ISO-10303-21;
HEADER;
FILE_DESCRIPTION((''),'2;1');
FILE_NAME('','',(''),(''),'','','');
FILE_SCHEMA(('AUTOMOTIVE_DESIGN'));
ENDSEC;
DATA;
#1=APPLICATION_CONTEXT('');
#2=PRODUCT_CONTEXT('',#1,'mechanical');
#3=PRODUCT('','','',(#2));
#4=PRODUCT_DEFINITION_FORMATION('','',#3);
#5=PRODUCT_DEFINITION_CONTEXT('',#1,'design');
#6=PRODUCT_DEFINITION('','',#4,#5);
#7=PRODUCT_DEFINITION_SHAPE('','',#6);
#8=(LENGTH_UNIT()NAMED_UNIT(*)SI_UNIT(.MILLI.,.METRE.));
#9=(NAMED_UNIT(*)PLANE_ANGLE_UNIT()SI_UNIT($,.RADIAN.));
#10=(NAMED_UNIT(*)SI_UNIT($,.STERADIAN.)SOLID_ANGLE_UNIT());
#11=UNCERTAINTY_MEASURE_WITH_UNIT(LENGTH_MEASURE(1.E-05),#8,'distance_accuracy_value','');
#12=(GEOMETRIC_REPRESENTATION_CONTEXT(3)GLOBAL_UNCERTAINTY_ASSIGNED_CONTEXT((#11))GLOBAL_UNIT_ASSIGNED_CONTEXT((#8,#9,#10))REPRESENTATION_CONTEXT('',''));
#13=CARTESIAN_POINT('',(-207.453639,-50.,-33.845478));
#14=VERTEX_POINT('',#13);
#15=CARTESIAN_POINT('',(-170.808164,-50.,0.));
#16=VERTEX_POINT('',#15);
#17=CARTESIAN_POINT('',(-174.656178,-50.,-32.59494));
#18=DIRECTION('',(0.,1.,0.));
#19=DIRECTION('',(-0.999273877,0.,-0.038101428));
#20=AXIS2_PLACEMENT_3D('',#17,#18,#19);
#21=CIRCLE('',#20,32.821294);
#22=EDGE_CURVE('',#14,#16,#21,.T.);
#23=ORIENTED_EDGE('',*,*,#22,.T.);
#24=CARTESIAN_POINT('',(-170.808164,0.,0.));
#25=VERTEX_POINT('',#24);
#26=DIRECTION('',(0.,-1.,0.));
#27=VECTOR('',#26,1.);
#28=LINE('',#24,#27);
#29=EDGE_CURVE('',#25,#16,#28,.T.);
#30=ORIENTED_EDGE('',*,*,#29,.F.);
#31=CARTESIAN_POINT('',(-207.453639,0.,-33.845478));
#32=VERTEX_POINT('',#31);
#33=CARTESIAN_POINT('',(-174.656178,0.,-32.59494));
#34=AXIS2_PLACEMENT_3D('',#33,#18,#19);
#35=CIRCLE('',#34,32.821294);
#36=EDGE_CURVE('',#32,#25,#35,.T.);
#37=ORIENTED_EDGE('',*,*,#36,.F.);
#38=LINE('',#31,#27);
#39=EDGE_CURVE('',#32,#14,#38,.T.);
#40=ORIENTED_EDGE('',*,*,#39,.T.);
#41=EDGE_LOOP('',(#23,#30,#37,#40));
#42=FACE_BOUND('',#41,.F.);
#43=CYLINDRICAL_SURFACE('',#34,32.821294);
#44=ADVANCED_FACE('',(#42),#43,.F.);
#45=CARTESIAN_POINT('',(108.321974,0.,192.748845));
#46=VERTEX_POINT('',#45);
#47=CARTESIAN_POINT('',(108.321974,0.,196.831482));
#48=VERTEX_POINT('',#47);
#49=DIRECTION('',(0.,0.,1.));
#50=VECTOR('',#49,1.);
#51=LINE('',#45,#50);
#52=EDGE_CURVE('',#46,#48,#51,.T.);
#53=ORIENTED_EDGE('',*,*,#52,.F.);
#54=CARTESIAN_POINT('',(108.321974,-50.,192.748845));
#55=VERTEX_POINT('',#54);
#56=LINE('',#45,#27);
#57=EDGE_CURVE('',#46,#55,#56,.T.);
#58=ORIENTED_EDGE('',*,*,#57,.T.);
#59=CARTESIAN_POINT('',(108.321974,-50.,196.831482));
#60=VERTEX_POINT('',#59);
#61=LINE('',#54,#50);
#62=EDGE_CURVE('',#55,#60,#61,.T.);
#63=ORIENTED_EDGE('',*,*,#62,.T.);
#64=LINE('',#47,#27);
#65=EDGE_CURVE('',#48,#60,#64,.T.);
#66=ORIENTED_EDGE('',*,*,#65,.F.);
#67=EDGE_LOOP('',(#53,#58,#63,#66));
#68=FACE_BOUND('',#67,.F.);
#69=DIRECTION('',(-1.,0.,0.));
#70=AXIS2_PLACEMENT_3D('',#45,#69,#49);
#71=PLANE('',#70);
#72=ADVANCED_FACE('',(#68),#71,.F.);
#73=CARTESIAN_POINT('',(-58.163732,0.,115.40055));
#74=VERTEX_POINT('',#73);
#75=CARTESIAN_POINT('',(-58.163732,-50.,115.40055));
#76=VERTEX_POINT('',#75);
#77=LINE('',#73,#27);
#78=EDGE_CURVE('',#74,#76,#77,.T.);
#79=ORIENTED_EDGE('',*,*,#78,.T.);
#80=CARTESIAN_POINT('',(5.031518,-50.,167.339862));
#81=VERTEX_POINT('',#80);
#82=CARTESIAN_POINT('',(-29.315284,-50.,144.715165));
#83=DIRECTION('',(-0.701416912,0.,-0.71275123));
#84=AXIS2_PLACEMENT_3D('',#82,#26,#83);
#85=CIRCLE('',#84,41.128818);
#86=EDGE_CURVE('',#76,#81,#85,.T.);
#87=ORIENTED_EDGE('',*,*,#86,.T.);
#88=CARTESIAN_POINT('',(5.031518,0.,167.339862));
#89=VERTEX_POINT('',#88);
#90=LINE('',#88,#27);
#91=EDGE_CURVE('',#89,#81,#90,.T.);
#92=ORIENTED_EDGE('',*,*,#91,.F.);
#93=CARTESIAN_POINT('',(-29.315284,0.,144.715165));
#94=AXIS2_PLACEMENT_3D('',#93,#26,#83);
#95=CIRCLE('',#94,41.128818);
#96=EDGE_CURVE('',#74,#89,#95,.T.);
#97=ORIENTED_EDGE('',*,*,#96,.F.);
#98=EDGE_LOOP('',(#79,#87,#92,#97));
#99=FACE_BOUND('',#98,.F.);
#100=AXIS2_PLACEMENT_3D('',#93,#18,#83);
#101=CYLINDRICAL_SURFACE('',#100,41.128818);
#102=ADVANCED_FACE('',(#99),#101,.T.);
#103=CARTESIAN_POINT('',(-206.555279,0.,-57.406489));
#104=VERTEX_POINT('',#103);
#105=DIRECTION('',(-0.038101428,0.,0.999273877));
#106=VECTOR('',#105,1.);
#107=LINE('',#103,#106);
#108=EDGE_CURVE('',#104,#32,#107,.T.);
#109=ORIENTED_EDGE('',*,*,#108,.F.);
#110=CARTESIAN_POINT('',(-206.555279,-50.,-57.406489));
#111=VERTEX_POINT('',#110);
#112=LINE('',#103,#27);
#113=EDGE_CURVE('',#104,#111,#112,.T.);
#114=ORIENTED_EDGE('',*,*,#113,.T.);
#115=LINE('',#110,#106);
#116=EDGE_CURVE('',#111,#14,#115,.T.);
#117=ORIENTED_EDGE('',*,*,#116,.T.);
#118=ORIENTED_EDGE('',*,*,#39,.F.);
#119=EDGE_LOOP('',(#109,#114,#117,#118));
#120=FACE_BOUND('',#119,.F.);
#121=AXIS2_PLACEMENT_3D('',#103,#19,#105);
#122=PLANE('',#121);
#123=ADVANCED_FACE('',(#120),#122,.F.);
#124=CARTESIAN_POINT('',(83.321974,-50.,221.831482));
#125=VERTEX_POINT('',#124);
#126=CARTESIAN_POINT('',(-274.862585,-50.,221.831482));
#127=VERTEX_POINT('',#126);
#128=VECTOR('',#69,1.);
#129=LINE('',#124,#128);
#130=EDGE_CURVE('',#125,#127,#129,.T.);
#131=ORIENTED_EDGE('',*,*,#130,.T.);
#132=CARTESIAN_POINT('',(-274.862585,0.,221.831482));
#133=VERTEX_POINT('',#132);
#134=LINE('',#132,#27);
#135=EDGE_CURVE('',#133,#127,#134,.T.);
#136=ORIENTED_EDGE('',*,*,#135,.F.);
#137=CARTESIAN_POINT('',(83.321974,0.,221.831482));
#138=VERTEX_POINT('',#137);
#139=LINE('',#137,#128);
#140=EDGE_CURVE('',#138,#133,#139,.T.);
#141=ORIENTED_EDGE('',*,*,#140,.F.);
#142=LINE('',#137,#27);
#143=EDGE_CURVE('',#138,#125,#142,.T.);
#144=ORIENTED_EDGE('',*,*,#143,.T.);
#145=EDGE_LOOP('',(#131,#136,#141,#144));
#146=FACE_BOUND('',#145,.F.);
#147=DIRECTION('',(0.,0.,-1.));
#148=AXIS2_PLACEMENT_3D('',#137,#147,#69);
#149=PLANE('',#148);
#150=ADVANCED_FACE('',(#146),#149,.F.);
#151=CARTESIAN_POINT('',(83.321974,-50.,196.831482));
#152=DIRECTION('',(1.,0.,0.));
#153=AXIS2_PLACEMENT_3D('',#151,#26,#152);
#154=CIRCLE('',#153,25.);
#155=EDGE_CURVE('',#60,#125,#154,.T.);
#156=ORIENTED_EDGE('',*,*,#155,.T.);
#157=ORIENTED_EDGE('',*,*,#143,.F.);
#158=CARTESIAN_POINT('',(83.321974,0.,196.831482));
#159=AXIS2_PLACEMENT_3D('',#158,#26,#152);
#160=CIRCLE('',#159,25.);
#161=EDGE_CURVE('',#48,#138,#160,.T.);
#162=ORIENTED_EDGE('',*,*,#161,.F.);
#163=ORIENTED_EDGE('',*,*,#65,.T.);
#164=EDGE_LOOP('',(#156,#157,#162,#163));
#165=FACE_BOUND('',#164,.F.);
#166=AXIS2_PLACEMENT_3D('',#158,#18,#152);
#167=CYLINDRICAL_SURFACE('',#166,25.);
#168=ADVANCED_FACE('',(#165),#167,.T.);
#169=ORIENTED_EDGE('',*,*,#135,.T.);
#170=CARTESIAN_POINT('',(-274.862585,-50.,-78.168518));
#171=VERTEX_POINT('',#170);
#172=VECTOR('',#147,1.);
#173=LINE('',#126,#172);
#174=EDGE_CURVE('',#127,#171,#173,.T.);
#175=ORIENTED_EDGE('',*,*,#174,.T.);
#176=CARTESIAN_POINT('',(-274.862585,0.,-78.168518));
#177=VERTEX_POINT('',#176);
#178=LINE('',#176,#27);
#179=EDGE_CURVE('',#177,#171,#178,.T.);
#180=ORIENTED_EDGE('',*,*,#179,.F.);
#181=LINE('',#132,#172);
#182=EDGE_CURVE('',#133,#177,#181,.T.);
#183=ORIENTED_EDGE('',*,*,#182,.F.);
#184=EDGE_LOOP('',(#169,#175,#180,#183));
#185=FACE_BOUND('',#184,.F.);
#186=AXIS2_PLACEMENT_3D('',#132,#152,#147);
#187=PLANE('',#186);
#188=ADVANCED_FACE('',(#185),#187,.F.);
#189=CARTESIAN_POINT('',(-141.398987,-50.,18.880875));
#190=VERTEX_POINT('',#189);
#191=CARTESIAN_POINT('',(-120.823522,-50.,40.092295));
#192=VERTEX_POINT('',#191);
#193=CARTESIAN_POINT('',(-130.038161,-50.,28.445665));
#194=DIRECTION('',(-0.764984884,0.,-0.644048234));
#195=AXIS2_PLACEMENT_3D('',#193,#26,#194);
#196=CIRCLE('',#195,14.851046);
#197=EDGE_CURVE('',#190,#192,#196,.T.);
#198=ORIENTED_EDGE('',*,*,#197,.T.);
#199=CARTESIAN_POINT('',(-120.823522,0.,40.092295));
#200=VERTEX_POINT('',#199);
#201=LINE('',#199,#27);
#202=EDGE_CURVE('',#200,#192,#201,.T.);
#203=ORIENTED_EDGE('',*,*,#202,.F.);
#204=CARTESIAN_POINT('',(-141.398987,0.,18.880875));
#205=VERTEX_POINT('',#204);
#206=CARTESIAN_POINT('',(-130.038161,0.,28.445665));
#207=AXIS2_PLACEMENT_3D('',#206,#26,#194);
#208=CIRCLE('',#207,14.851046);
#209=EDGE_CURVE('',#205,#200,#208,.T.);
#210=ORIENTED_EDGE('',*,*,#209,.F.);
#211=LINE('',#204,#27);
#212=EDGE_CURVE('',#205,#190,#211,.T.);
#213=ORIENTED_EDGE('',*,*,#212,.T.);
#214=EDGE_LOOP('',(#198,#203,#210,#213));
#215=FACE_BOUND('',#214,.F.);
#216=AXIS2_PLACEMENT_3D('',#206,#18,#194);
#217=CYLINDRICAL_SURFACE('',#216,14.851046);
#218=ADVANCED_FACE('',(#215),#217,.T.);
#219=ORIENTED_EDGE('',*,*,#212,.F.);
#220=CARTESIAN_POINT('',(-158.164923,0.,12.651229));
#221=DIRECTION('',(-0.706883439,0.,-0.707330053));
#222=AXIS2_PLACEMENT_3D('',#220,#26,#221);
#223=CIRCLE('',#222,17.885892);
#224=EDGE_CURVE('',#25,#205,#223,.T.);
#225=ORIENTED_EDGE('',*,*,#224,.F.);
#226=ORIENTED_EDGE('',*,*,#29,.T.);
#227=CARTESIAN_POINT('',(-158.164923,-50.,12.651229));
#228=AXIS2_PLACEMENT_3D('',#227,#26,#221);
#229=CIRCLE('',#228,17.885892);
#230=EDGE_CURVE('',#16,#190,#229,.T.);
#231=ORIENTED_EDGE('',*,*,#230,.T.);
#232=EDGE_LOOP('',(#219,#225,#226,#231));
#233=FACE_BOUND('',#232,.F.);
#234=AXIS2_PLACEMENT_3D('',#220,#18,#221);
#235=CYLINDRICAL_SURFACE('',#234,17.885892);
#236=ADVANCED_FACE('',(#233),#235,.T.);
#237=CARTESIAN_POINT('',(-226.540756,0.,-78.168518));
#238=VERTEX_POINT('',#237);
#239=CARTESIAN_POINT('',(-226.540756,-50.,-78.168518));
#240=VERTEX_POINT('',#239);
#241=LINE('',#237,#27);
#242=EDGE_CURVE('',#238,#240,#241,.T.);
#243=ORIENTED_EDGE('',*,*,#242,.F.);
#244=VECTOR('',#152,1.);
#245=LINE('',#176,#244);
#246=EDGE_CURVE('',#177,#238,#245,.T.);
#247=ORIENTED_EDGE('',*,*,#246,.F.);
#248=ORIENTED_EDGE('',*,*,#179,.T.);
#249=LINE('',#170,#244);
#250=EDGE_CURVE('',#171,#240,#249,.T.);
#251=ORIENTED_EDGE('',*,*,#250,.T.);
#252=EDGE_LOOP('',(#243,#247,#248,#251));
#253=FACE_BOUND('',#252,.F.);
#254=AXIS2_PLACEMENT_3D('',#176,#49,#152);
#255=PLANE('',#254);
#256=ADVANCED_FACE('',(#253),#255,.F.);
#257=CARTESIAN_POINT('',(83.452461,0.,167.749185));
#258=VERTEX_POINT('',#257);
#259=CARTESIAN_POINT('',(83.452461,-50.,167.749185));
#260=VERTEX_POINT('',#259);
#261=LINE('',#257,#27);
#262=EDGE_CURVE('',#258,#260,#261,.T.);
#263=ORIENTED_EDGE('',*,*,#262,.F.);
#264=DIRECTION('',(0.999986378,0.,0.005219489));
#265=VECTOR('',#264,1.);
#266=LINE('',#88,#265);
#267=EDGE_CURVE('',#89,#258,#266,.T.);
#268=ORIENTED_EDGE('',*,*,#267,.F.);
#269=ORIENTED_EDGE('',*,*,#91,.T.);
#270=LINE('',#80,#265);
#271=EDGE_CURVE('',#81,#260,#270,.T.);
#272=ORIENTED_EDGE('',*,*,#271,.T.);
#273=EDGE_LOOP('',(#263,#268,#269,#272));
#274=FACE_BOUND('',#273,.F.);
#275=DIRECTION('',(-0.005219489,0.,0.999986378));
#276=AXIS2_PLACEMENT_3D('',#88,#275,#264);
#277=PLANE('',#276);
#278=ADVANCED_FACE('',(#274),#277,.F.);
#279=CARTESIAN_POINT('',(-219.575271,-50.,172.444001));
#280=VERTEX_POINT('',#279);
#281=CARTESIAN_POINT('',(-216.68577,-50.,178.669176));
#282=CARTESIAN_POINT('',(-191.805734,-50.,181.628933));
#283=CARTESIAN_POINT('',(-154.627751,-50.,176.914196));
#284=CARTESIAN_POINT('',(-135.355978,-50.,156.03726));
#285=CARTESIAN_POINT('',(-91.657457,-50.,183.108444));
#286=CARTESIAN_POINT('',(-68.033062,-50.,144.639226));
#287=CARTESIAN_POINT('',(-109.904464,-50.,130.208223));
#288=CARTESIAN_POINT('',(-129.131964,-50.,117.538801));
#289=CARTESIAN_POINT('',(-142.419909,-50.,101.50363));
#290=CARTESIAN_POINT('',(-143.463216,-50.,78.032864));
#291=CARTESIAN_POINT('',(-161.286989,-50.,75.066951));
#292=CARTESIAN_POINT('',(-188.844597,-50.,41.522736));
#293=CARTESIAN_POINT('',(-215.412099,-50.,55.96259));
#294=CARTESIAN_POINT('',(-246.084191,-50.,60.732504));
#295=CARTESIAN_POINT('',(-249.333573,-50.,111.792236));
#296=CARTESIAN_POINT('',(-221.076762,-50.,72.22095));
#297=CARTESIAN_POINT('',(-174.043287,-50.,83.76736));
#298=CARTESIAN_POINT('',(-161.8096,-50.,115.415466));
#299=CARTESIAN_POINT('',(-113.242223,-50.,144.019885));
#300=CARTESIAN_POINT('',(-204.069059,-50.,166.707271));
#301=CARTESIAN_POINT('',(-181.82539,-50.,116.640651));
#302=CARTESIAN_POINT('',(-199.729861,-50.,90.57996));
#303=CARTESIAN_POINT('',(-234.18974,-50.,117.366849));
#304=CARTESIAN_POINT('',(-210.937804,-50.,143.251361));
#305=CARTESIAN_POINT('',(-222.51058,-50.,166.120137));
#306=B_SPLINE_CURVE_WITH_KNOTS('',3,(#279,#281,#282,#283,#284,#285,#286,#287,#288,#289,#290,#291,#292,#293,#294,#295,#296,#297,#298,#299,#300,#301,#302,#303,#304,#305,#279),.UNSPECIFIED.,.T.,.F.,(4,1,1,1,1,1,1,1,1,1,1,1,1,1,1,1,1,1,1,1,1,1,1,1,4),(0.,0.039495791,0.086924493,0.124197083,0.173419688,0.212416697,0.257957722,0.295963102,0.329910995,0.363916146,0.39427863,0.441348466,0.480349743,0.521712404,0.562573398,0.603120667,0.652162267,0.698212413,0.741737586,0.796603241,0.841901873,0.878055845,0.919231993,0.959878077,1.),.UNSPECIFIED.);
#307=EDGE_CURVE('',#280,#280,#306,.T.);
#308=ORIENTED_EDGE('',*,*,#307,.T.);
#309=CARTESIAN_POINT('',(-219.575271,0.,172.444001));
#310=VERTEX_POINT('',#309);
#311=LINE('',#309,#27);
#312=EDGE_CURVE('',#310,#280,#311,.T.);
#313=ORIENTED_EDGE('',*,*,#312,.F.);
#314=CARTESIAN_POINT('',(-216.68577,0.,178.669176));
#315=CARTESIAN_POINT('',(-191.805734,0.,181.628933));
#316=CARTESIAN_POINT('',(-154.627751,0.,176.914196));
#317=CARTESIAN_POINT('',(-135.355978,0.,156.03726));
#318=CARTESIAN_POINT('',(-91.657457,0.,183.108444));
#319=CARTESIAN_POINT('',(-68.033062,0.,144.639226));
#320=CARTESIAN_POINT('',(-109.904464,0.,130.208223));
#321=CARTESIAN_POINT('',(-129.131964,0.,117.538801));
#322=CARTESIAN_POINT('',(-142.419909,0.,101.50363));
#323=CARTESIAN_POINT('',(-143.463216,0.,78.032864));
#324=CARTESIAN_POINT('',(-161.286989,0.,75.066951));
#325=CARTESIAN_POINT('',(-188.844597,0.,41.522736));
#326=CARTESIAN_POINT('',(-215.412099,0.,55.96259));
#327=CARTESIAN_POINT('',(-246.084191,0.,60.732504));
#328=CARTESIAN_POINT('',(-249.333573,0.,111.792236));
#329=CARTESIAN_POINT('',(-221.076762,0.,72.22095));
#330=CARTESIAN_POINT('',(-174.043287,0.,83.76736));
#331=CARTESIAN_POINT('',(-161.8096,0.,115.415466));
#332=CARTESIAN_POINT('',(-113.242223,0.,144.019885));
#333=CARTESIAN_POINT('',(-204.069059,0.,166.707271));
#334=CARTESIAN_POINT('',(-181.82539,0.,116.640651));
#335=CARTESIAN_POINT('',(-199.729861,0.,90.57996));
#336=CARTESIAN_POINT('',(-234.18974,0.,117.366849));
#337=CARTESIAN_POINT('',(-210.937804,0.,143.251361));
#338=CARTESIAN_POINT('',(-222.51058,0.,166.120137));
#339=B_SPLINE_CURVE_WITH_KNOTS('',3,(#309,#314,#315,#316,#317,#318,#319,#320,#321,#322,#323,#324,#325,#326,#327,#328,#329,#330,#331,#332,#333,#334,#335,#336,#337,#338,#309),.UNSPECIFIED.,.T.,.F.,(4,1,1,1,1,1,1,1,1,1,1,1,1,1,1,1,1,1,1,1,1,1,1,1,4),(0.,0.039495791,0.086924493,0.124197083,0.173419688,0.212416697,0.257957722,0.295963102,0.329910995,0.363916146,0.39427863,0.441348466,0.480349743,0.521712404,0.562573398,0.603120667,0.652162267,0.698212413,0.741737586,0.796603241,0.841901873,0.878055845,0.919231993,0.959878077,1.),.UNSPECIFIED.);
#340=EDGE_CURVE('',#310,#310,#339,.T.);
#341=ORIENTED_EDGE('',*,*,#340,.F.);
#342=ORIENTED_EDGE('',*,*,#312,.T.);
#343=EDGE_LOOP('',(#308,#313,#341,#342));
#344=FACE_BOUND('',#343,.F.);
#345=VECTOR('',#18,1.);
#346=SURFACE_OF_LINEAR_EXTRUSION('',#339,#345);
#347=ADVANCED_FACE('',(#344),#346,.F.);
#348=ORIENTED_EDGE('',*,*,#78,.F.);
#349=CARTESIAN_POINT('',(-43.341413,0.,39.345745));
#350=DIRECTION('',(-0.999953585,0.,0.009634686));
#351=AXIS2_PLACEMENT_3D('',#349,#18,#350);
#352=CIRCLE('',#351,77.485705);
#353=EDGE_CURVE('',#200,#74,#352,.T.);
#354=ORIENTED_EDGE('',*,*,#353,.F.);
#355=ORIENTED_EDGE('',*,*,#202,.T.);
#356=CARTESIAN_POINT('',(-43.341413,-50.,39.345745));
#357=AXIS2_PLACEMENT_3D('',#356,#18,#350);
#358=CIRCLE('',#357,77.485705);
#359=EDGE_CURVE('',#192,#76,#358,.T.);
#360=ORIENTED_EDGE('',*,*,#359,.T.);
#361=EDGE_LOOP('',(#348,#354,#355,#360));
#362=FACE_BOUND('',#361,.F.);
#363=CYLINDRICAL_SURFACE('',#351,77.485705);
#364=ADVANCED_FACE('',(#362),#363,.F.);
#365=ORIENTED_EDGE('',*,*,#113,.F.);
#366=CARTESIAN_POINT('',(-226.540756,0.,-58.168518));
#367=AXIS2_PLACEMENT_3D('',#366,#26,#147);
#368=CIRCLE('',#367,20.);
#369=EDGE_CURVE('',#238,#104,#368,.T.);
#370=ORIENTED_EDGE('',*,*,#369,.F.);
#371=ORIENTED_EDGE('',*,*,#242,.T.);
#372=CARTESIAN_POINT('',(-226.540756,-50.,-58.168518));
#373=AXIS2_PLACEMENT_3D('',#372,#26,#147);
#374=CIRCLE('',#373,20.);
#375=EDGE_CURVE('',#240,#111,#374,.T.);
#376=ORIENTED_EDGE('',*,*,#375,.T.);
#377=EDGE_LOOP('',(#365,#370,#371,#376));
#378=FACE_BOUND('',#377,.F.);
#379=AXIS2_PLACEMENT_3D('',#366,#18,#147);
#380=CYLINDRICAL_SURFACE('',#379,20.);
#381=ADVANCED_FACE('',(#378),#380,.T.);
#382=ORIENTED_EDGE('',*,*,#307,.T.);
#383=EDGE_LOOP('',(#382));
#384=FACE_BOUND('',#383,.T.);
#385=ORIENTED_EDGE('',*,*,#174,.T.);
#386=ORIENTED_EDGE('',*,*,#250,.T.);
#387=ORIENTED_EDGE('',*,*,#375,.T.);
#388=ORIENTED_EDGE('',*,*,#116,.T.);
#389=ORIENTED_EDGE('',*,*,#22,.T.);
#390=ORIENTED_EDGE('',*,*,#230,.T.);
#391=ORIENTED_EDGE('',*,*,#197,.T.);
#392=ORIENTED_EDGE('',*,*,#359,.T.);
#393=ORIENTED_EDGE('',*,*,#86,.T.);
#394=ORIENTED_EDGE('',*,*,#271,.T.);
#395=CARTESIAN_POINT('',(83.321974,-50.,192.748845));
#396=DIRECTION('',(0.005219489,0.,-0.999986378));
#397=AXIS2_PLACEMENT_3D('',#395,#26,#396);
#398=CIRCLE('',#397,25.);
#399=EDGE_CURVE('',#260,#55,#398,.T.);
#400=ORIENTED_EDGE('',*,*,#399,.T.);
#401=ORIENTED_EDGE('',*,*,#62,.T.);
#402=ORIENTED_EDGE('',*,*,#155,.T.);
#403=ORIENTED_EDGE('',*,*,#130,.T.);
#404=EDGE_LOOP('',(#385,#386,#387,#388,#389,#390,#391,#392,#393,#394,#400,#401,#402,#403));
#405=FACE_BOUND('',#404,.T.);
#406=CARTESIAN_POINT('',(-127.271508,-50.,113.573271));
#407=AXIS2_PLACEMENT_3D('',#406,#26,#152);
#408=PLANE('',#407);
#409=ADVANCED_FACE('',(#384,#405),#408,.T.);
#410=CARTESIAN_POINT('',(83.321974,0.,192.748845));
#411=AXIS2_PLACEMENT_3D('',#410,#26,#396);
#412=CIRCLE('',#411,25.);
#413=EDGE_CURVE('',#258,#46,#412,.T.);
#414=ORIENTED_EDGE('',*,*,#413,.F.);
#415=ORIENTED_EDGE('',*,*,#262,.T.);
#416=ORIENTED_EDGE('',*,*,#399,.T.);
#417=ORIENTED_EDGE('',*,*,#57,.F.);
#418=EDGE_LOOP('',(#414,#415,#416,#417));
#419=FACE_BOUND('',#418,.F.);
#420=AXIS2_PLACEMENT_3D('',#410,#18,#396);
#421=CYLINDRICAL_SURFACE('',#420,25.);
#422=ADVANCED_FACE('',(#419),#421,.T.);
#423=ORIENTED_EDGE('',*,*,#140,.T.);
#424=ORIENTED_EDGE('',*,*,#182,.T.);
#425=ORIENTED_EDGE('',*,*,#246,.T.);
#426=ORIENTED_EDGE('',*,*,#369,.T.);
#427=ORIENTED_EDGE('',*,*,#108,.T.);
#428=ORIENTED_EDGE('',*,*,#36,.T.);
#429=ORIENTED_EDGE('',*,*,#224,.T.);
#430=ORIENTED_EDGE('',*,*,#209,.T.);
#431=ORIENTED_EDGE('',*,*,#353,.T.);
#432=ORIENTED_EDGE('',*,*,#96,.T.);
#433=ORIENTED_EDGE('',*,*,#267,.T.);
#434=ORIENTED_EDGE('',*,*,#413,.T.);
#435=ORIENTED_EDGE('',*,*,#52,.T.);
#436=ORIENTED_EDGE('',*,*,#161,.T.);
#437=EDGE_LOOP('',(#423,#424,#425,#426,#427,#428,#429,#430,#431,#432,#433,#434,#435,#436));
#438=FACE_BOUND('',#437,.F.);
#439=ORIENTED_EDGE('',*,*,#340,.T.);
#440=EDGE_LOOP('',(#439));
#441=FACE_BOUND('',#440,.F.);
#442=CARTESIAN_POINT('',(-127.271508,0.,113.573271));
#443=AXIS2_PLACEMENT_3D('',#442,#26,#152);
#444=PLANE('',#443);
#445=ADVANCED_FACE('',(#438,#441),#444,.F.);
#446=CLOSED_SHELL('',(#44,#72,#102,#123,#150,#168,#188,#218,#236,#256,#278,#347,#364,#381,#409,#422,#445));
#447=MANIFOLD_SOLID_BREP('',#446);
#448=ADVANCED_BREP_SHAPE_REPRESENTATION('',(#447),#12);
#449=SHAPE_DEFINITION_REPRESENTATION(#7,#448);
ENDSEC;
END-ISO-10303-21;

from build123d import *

# Parameters (mm, degrees)
F1_DEPTH = 50


with BuildPart() as f1:
    # F0 (on Front) → F1 (new body)
    with BuildSketch(Plane.XZ):
        with BuildLine():
            Line((83.3219736814, 221.8314821937), (-274.8625851565, 221.8314821937))
            Line((-274.8625851565, 221.8314821937), (-274.8625851565, -78.1685178063))
            Line((-274.8625851565, -78.1685178063), (-226.5407562396, -78.1685178063))
            ThreePointArc((-226.5407562396, -78.1685178063), (-212.1317213797, -72.0386192625), (-206.5552787003, -57.4064892468))
            Line((-206.5552787003, -57.4064892468), (-207.4536391848, -33.8454782287))
            ThreePointArc((-207.4536391848, -33.8454782287), (-196.9249165287, -8.4839343376), (-170.8081639077, 0))
            ThreePointArc((-170.8081639077, 0), (-148.5020554157, -2.3998212364), (-141.3989868763, 18.8808750714))
            ThreePointArc((-141.3989868763, 18.8808750714), (-119.3783008793, 18.1054061462), (-120.8235216731, 40.0922954371))
            ThreePointArc((-120.8235216731, 40.0922954371), (-102.9053295383, 88.905550723), (-58.1637322903, 115.400549811))
            ThreePointArc((-58.1637322903, 115.400549811), (-3.2005174523, 112.9409832271), (5.0315177017, 167.3398623546))
            Line((5.0315177017, 167.3398623546), (83.4524609012, 167.7491851642))
            ThreePointArc((83.4524609012, 167.7491851642), (101.0457173674, 175.1173696497), (108.3219736814, 192.7488446236))
            Line((108.3219736814, 192.7488446236), (108.3219736814, 196.8314821937))
            ThreePointArc((108.3219736814, 196.8314821937), (100.9996432111, 214.5091517234), (83.3219736814, 221.8314821937))
        make_face()
        with BuildLine():
            ThreePointArc((-144.118633545, 23.724026989), (-142.5696563693, 21.4086693821), (-141.3989868763, 18.8808750714))
            ThreePointArc((-141.3989868763, 18.8808750714), (-142.9872515651, 21.1741709806), (-144.118633545, 23.724026989))
        make_face(mode=Mode.SUBTRACT)
        with BuildLine():
            add(Edge.make_bspline(
                [(-219.5752710104, 172.4440008402), (-216.685769818, 178.6691763064), (-191.8057339626, 181.6289333018), (-154.6277511221, 176.9141959142), (-135.3559777396, 156.0372595726), (-91.6574574312, 183.108444247), (-68.0330615865, 144.6392255693), (-109.9044638938, 130.208223219), (-129.1319641137, 117.5388009918), (-142.4199094382, 101.503630357), (-143.4632155233, 78.0328638905), (-161.2869894881, 75.0669509139), (-188.8445970033, 41.52273626), (-215.412099225, 55.9625904017), (-246.084190544, 60.7325037319), (-249.333572694, 111.7922364023), (-221.0767619727, 72.2209502836), (-174.043286682, 83.7673596839), (-161.8096001165, 115.415466186), (-113.2422230465, 144.0198853258), (-204.0690594357, 166.7072709808), (-181.8253900065, 116.6406512362), (-199.7298610349, 90.5799599722), (-234.1897400969, 117.3668485961), (-210.9378042781, 143.2513607599), (-222.5105798634, 166.1201368095), (-219.5752710104, 172.4440008402)],
                knots=[0, 0, 0, 0, 0.0394957909, 0.0869244931, 0.1241970835, 0.1734196877, 0.2124166967, 0.2579577216, 0.2959631016, 0.3299109952, 0.3639161457, 0.3942786302, 0.4413484662, 0.4803497432, 0.521712404, 0.562573398, 0.6031206673, 0.6521622673, 0.6982124132, 0.741737586, 0.7966032407, 0.8419018734, 0.8780558453, 0.9192319931, 0.9598780769, 1, 1, 1, 1], degree=3))
        make_face(mode=Mode.SUBTRACT)
        with BuildLine():
            ThreePointArc((-144.118633545, 23.724026989), (-142.9872515651, 21.1741709806), (-141.3989868763, 18.8808750714))
            ThreePointArc((-141.3989868763, 18.8808750714), (-142.5696563693, 21.4086693821), (-144.118633545, 23.724026989))
        make_face()
    extrude(amount=F1_DEPTH)


solid = f1.part
